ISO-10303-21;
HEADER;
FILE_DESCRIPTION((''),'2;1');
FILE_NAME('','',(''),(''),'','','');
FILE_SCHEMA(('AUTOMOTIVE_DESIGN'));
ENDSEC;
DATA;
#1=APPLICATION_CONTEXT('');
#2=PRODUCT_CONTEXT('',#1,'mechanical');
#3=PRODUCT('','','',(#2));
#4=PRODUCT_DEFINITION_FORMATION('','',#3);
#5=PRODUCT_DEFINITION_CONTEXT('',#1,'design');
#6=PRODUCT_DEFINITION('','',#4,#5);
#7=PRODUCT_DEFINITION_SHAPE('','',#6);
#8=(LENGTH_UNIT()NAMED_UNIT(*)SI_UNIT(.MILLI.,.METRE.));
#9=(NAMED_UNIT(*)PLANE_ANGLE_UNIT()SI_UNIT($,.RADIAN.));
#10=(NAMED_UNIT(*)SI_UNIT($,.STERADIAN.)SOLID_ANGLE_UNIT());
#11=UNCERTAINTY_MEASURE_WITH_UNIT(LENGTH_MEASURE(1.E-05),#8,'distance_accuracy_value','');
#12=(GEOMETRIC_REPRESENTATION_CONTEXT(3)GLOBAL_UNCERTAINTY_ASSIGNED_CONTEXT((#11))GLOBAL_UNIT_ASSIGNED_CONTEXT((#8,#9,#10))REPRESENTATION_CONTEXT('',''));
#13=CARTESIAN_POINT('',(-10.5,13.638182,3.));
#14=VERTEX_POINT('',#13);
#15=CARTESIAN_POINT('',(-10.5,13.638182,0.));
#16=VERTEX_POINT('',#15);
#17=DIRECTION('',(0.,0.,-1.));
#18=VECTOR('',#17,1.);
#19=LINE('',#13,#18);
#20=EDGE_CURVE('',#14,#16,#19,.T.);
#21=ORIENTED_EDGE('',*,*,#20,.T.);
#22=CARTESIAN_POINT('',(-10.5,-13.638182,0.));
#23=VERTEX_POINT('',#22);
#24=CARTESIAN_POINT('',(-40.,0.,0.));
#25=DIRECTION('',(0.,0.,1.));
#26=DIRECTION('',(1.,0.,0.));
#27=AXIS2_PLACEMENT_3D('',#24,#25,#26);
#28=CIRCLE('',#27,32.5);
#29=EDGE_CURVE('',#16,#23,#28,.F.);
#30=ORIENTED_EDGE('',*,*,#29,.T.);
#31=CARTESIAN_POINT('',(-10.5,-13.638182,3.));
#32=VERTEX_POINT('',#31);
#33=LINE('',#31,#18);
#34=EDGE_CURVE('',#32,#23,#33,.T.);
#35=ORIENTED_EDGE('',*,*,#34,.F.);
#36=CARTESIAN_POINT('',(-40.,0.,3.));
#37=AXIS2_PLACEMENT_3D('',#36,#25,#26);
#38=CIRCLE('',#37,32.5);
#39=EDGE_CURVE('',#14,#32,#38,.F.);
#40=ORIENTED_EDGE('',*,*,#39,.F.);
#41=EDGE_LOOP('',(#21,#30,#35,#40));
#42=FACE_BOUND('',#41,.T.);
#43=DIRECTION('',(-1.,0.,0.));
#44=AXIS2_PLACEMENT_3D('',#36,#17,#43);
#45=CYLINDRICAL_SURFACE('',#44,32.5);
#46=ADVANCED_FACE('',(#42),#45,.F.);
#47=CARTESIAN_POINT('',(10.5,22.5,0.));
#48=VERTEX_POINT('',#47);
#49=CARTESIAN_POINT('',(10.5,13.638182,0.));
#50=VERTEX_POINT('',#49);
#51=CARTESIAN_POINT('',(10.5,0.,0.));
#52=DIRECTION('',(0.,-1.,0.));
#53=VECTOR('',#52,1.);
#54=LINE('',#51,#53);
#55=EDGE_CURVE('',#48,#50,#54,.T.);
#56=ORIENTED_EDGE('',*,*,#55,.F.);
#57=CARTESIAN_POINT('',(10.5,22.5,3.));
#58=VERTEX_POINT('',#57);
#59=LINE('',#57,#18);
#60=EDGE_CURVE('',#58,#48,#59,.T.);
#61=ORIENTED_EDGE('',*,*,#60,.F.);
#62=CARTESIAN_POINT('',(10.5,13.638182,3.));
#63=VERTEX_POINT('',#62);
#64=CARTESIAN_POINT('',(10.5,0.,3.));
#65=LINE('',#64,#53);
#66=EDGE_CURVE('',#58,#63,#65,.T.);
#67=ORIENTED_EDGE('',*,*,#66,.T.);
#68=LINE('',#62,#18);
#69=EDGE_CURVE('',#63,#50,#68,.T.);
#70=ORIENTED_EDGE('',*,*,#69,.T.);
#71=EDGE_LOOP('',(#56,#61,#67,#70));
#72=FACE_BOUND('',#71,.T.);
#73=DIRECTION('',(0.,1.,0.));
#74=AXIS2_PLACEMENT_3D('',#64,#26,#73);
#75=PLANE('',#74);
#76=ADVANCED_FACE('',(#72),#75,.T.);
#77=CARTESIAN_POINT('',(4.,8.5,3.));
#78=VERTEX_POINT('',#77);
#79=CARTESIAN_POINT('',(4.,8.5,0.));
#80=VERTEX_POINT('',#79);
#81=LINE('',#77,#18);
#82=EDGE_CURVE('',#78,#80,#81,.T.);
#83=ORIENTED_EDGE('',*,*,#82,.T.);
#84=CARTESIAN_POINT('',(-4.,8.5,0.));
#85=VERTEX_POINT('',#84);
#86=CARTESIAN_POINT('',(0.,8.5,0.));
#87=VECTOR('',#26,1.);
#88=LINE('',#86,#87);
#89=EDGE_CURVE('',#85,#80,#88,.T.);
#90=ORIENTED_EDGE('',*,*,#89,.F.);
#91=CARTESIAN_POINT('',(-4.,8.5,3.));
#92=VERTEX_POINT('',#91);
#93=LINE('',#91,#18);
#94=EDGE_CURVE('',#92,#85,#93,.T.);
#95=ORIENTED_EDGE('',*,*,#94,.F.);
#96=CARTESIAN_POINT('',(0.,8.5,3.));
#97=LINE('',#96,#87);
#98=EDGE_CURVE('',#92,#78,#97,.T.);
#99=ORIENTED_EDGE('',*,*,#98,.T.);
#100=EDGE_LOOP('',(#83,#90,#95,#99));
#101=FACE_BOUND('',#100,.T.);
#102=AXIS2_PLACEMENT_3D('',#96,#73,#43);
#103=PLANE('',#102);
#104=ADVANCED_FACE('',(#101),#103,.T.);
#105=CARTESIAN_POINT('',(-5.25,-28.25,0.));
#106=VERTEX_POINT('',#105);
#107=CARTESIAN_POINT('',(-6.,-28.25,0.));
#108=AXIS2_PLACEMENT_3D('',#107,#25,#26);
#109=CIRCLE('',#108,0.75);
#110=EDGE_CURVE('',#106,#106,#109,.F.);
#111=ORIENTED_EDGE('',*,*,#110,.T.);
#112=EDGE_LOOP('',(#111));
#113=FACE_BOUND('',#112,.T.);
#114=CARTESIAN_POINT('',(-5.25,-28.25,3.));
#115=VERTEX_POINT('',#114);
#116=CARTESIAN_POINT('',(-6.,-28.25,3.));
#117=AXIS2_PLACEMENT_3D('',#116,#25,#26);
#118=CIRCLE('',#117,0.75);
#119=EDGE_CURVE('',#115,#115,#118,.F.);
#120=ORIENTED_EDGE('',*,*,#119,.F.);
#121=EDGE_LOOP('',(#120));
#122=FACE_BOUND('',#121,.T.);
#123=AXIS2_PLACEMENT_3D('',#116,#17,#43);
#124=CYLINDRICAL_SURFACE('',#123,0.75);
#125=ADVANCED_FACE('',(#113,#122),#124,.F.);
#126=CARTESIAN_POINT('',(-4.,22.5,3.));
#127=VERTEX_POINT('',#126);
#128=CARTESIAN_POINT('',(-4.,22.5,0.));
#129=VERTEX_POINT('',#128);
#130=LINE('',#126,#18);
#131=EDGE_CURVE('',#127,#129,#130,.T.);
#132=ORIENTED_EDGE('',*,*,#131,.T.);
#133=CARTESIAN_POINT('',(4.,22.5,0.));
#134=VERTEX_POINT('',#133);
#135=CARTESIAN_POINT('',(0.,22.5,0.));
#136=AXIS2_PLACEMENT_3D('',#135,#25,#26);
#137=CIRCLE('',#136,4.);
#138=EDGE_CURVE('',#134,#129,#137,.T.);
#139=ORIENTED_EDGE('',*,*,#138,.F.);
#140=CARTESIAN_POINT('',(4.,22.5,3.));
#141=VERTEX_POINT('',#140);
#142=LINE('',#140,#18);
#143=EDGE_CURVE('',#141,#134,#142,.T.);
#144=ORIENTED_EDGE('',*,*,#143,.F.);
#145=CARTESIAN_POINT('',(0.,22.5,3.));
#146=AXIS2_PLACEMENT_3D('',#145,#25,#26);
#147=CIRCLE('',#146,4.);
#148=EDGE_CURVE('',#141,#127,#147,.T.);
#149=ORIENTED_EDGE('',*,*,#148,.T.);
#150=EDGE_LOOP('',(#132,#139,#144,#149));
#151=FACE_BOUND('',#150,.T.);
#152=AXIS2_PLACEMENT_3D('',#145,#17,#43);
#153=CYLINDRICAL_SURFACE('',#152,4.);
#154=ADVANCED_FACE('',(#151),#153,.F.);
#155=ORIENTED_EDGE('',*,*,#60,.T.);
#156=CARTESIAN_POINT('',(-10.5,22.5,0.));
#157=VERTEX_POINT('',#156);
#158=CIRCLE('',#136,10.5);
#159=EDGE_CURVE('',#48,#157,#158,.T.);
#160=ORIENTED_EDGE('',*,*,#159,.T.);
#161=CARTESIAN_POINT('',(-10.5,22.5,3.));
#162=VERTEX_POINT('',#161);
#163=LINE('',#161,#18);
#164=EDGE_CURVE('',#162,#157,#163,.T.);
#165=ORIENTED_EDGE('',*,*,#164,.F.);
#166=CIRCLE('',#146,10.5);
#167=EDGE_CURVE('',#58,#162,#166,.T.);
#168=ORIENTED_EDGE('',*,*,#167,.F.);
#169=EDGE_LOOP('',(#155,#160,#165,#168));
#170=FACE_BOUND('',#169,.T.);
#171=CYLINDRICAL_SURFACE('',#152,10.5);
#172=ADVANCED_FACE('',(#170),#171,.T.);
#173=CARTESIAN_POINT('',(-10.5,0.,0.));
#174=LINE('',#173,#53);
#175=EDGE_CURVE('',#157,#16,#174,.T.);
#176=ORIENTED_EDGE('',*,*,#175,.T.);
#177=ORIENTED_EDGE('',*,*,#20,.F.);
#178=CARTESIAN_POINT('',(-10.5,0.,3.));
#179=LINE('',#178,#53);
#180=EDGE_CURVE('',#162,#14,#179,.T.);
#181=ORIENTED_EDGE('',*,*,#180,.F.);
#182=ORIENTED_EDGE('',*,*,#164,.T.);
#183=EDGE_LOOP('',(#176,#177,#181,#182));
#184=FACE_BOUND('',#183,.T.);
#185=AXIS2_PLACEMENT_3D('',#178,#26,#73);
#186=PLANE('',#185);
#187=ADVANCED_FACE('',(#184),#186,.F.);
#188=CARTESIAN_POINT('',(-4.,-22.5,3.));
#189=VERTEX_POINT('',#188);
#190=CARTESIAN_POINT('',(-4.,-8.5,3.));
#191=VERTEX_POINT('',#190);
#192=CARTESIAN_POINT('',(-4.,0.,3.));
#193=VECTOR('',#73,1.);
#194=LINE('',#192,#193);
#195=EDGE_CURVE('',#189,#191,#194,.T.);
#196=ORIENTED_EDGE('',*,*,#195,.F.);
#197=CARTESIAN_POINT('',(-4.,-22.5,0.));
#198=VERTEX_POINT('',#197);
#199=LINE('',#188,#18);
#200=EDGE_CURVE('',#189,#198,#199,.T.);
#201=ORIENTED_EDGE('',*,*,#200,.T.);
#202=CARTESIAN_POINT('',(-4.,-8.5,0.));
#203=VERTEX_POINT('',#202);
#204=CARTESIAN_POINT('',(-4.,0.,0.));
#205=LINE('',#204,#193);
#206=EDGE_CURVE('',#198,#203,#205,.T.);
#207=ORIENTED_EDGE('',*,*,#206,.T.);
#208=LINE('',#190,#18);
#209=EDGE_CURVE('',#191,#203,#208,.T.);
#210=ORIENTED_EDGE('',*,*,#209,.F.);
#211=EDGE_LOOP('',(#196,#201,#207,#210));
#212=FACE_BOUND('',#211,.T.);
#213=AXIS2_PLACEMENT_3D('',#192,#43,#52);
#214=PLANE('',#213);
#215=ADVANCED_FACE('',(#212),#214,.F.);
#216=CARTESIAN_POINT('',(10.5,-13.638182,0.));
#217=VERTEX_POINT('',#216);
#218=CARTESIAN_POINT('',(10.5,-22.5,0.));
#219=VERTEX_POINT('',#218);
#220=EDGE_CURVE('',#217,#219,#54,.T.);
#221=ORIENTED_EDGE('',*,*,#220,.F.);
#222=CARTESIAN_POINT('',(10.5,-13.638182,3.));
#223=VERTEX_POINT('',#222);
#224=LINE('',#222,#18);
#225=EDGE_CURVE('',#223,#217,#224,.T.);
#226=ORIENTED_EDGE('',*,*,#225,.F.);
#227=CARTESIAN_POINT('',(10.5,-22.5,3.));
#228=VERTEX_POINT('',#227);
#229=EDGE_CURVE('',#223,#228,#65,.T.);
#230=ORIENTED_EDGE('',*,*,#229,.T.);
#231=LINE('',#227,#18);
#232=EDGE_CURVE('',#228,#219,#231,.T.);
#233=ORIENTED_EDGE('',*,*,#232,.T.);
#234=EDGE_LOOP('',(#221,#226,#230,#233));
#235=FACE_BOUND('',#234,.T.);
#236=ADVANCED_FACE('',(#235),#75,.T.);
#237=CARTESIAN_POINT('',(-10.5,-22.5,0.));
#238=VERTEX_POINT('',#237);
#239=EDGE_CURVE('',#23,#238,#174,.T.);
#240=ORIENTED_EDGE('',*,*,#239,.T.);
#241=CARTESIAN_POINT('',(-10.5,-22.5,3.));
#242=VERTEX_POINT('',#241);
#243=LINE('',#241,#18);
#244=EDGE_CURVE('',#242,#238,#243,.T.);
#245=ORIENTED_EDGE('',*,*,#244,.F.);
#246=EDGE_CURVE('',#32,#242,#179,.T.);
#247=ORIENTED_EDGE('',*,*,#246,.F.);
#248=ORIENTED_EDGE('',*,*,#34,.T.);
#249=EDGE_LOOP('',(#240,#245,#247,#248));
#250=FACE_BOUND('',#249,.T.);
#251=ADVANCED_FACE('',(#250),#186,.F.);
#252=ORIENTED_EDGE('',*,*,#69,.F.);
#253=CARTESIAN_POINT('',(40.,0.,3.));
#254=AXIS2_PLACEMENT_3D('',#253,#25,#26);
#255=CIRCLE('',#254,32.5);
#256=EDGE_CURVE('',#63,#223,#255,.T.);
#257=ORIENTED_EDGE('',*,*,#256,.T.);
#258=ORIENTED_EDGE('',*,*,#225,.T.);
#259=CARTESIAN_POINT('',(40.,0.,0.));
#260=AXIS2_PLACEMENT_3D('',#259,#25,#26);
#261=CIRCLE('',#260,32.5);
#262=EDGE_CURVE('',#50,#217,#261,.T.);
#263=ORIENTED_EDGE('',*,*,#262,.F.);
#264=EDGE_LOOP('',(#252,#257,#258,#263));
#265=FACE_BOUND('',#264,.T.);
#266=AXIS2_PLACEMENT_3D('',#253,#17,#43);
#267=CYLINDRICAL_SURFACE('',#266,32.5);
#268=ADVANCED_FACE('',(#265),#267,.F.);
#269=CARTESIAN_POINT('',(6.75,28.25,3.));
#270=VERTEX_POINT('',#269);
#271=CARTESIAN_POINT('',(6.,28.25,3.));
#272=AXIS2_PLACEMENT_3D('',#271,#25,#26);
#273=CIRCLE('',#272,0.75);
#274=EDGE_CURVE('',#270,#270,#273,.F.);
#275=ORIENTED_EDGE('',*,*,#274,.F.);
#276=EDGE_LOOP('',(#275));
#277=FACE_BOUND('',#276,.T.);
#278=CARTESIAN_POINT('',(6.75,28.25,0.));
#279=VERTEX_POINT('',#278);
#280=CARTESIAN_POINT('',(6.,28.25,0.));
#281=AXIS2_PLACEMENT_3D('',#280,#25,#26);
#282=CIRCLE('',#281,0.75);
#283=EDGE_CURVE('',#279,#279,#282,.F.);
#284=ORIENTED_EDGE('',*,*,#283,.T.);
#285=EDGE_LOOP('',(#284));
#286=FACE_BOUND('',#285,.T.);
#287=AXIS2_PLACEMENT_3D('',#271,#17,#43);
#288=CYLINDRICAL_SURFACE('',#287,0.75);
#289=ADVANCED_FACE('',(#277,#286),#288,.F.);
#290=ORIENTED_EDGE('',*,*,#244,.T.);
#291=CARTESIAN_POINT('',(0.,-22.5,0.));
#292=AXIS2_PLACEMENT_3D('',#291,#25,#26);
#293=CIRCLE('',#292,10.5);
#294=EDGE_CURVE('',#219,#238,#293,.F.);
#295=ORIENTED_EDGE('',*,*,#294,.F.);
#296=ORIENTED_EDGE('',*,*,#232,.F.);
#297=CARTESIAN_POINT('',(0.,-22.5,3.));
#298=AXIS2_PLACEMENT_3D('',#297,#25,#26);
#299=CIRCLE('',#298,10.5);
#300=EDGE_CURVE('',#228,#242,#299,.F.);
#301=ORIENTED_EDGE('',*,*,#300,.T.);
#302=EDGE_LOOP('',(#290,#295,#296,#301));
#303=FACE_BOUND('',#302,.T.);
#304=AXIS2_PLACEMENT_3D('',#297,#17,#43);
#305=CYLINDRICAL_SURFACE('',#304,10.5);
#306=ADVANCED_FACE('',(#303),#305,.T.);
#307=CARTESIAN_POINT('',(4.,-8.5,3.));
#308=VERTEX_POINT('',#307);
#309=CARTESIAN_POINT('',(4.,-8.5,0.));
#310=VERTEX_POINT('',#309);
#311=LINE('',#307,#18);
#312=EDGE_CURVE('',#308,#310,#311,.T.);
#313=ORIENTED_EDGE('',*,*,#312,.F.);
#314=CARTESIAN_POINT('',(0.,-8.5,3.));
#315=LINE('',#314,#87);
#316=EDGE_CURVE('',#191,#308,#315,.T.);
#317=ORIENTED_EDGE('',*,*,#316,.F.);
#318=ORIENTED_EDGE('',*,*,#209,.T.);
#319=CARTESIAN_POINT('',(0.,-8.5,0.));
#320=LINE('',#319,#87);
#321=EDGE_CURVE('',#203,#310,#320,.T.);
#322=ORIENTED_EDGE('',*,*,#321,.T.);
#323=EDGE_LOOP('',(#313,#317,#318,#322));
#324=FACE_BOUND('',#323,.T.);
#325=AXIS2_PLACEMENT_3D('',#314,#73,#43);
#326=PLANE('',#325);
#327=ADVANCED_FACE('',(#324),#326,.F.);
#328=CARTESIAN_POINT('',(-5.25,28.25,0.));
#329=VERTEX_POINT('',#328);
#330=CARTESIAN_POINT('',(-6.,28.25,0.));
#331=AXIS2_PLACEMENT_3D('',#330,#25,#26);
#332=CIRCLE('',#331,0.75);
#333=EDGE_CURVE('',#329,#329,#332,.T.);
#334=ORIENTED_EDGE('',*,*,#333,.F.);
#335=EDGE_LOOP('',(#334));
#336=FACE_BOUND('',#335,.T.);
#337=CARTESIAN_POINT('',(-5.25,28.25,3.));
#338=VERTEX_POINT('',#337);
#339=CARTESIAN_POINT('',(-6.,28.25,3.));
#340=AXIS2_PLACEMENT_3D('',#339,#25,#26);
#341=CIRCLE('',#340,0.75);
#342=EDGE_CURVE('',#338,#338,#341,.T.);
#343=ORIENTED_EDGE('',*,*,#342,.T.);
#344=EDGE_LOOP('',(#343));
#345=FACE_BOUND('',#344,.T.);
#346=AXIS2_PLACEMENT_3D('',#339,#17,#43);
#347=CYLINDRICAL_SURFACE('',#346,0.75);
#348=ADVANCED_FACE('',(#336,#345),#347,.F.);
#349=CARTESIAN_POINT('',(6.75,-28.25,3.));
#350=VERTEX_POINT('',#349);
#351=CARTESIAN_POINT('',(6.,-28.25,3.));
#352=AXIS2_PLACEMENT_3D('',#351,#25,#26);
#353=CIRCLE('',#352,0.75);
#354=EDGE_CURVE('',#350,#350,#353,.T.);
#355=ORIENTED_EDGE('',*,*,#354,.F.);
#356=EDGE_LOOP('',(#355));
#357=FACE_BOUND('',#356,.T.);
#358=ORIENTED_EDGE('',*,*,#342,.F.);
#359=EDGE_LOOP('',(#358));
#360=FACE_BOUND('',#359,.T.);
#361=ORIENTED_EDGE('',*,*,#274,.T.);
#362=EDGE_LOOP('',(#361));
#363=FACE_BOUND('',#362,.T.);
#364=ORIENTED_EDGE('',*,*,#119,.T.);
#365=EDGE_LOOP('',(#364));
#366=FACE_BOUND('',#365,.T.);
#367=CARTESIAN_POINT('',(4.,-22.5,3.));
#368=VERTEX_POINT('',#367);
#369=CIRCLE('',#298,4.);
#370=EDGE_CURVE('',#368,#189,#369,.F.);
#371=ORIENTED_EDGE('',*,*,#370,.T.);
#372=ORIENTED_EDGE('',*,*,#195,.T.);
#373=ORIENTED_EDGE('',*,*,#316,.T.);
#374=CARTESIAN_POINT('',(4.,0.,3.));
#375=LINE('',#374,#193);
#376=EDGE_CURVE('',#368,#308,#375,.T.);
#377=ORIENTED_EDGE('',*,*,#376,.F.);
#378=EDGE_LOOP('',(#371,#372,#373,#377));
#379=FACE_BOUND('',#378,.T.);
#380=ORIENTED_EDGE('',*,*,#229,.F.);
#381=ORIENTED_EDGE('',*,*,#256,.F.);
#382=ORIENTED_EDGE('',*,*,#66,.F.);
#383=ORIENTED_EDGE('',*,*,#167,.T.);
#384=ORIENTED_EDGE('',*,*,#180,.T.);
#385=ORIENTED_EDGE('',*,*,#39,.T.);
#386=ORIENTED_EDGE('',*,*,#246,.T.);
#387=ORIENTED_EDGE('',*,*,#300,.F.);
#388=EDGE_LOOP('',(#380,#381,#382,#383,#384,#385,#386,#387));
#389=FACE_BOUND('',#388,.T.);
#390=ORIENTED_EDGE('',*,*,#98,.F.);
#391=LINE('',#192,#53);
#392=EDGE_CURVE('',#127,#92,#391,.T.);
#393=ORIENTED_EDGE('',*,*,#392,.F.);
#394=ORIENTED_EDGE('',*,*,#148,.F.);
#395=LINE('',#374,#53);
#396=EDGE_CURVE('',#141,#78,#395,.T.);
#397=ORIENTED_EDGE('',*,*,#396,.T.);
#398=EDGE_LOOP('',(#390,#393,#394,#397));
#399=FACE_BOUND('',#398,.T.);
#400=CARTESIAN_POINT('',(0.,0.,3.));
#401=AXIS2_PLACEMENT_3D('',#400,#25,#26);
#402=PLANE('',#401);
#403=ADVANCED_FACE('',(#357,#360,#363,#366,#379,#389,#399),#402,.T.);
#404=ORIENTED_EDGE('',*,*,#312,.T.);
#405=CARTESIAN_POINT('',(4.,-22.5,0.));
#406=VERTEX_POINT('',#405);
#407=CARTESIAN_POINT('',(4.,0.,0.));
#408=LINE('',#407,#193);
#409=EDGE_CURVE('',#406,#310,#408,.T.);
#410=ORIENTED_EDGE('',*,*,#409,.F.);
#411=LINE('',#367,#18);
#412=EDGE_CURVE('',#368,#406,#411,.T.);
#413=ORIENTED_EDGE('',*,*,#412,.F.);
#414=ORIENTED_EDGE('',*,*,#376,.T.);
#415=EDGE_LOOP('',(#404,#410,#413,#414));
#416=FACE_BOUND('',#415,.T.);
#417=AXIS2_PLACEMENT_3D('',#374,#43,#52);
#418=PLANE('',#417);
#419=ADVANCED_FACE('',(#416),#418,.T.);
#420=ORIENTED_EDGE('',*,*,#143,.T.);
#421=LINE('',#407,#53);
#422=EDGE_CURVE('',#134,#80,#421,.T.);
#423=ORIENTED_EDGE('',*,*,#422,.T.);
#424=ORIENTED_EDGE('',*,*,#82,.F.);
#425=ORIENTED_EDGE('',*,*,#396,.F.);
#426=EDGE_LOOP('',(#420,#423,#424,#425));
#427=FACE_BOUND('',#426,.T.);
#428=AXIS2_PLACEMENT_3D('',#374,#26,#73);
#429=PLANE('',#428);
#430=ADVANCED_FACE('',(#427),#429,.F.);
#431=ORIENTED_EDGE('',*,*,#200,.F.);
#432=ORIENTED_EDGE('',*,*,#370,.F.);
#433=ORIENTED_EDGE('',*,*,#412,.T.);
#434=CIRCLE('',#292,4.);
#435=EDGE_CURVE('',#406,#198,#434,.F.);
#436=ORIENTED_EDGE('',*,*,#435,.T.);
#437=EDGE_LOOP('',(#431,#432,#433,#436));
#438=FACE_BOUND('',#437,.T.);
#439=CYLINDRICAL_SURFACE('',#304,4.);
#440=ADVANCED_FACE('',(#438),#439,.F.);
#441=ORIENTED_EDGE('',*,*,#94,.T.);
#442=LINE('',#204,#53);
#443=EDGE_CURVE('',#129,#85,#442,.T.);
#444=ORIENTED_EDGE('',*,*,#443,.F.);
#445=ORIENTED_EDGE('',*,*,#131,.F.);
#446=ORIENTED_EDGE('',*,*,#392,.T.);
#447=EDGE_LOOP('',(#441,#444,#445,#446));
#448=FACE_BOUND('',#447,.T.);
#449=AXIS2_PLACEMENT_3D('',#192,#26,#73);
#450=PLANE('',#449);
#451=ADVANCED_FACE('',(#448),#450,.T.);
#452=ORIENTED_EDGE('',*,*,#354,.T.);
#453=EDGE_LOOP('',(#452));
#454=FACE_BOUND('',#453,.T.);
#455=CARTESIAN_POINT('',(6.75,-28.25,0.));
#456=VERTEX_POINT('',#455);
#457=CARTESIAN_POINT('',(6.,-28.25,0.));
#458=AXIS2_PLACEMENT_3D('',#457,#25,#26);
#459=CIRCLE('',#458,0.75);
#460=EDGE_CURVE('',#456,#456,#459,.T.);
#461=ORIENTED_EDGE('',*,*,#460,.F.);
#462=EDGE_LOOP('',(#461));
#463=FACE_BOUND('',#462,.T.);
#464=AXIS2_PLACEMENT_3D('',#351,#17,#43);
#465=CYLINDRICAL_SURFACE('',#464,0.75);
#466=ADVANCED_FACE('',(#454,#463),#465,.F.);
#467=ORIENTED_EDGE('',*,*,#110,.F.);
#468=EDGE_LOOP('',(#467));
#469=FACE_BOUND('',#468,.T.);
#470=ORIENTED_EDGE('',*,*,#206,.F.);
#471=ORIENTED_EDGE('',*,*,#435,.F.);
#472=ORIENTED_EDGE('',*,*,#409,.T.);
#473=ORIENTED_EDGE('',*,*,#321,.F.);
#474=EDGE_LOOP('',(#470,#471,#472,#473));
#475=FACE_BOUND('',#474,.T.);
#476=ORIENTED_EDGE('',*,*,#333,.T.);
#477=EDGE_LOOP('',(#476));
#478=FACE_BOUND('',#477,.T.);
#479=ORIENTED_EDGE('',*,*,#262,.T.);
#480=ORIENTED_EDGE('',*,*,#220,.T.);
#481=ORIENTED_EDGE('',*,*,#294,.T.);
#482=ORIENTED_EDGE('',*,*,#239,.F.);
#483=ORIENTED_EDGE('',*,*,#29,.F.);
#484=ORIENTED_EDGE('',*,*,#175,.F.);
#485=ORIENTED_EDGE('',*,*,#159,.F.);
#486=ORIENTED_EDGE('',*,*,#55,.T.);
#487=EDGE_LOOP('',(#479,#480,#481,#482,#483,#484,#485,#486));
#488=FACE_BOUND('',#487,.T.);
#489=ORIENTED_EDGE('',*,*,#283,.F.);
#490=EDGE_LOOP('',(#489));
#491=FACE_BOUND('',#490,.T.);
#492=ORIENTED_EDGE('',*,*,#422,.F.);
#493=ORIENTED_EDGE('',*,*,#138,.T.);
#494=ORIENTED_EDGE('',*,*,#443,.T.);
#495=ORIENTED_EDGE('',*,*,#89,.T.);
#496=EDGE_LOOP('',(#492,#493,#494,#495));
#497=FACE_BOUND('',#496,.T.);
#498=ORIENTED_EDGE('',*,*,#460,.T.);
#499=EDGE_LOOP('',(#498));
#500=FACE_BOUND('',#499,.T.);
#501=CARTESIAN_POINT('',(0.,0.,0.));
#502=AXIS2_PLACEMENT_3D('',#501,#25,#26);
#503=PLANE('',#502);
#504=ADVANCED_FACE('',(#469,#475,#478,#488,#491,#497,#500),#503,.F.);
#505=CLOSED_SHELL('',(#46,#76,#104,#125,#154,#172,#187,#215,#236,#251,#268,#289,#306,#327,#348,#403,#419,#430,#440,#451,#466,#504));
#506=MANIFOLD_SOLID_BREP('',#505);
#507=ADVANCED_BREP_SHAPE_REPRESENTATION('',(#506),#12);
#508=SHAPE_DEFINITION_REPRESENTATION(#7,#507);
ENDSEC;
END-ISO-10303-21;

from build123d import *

# Parameters (mm, degrees)
SKETCH_1_R      = 0.75
EXTRUDE_1_DEPTH = 3


with BuildPart() as part:
    # 草图1 → 凸台-拉伸1 (new body)
    with BuildSketch(Plane.XY):
        with BuildLine():
            Line((-10.5, 22.5), (-10.5, 13.638181697))
            ThreePointArc((-10.5, 13.638181697), (-7.5, 0), (-10.5, -13.638181697))
            Line((-10.5, -13.638181697), (-10.5, -22.5))
            ThreePointArc((-10.5, -22.5), (0, -33), (10.5, -22.5))
            Line((10.5, -22.5), (10.5, -13.638181697))
            ThreePointArc((10.5, -13.638181697), (7.5, 0), (10.5, 13.638181697))
            Line((10.5, 13.638181697), (10.5, 22.5))
            ThreePointArc((10.5, 22.5), (0, 33), (-10.5, 22.5))
        make_face()
        with Locations((6, 28.25)):
            Circle(SKETCH_1_R, mode=Mode.SUBTRACT)
        with Locations((-6, 28.25)):
            Circle(SKETCH_1_R, mode=Mode.SUBTRACT)
        with Locations((6, -28.25)):
            Circle(SKETCH_1_R, mode=Mode.SUBTRACT)
        with Locations((-6, -28.25)):
            Circle(SKETCH_1_R, mode=Mode.SUBTRACT)
        with BuildLine():
            ThreePointArc((4, 22.500000371), (-3.71e-07, 26.5), (-4, 22.499999629))
            Line((-4, 22.499999629), (-4, 8.5))
            Line((-4, 8.5), (4, 8.5))
            Line((4, 8.5), (4, 22.500000371))
        make_face(mode=Mode.SUBTRACT)
        with BuildLine():
            Line((4, -22.500000371), (4, -8.5))
            Line((4, -8.5), (-4, -8.5))
            Line((-4, -8.5), (-4, -22.499999629))
            ThreePointArc((-4, -22.499999629), (-3.71e-07, -26.5), (4, -22.500000371))
        make_face(mode=Mode.SUBTRACT)
    extrude(amount=EXTRUDE_1_DEPTH)


solid = part.part
